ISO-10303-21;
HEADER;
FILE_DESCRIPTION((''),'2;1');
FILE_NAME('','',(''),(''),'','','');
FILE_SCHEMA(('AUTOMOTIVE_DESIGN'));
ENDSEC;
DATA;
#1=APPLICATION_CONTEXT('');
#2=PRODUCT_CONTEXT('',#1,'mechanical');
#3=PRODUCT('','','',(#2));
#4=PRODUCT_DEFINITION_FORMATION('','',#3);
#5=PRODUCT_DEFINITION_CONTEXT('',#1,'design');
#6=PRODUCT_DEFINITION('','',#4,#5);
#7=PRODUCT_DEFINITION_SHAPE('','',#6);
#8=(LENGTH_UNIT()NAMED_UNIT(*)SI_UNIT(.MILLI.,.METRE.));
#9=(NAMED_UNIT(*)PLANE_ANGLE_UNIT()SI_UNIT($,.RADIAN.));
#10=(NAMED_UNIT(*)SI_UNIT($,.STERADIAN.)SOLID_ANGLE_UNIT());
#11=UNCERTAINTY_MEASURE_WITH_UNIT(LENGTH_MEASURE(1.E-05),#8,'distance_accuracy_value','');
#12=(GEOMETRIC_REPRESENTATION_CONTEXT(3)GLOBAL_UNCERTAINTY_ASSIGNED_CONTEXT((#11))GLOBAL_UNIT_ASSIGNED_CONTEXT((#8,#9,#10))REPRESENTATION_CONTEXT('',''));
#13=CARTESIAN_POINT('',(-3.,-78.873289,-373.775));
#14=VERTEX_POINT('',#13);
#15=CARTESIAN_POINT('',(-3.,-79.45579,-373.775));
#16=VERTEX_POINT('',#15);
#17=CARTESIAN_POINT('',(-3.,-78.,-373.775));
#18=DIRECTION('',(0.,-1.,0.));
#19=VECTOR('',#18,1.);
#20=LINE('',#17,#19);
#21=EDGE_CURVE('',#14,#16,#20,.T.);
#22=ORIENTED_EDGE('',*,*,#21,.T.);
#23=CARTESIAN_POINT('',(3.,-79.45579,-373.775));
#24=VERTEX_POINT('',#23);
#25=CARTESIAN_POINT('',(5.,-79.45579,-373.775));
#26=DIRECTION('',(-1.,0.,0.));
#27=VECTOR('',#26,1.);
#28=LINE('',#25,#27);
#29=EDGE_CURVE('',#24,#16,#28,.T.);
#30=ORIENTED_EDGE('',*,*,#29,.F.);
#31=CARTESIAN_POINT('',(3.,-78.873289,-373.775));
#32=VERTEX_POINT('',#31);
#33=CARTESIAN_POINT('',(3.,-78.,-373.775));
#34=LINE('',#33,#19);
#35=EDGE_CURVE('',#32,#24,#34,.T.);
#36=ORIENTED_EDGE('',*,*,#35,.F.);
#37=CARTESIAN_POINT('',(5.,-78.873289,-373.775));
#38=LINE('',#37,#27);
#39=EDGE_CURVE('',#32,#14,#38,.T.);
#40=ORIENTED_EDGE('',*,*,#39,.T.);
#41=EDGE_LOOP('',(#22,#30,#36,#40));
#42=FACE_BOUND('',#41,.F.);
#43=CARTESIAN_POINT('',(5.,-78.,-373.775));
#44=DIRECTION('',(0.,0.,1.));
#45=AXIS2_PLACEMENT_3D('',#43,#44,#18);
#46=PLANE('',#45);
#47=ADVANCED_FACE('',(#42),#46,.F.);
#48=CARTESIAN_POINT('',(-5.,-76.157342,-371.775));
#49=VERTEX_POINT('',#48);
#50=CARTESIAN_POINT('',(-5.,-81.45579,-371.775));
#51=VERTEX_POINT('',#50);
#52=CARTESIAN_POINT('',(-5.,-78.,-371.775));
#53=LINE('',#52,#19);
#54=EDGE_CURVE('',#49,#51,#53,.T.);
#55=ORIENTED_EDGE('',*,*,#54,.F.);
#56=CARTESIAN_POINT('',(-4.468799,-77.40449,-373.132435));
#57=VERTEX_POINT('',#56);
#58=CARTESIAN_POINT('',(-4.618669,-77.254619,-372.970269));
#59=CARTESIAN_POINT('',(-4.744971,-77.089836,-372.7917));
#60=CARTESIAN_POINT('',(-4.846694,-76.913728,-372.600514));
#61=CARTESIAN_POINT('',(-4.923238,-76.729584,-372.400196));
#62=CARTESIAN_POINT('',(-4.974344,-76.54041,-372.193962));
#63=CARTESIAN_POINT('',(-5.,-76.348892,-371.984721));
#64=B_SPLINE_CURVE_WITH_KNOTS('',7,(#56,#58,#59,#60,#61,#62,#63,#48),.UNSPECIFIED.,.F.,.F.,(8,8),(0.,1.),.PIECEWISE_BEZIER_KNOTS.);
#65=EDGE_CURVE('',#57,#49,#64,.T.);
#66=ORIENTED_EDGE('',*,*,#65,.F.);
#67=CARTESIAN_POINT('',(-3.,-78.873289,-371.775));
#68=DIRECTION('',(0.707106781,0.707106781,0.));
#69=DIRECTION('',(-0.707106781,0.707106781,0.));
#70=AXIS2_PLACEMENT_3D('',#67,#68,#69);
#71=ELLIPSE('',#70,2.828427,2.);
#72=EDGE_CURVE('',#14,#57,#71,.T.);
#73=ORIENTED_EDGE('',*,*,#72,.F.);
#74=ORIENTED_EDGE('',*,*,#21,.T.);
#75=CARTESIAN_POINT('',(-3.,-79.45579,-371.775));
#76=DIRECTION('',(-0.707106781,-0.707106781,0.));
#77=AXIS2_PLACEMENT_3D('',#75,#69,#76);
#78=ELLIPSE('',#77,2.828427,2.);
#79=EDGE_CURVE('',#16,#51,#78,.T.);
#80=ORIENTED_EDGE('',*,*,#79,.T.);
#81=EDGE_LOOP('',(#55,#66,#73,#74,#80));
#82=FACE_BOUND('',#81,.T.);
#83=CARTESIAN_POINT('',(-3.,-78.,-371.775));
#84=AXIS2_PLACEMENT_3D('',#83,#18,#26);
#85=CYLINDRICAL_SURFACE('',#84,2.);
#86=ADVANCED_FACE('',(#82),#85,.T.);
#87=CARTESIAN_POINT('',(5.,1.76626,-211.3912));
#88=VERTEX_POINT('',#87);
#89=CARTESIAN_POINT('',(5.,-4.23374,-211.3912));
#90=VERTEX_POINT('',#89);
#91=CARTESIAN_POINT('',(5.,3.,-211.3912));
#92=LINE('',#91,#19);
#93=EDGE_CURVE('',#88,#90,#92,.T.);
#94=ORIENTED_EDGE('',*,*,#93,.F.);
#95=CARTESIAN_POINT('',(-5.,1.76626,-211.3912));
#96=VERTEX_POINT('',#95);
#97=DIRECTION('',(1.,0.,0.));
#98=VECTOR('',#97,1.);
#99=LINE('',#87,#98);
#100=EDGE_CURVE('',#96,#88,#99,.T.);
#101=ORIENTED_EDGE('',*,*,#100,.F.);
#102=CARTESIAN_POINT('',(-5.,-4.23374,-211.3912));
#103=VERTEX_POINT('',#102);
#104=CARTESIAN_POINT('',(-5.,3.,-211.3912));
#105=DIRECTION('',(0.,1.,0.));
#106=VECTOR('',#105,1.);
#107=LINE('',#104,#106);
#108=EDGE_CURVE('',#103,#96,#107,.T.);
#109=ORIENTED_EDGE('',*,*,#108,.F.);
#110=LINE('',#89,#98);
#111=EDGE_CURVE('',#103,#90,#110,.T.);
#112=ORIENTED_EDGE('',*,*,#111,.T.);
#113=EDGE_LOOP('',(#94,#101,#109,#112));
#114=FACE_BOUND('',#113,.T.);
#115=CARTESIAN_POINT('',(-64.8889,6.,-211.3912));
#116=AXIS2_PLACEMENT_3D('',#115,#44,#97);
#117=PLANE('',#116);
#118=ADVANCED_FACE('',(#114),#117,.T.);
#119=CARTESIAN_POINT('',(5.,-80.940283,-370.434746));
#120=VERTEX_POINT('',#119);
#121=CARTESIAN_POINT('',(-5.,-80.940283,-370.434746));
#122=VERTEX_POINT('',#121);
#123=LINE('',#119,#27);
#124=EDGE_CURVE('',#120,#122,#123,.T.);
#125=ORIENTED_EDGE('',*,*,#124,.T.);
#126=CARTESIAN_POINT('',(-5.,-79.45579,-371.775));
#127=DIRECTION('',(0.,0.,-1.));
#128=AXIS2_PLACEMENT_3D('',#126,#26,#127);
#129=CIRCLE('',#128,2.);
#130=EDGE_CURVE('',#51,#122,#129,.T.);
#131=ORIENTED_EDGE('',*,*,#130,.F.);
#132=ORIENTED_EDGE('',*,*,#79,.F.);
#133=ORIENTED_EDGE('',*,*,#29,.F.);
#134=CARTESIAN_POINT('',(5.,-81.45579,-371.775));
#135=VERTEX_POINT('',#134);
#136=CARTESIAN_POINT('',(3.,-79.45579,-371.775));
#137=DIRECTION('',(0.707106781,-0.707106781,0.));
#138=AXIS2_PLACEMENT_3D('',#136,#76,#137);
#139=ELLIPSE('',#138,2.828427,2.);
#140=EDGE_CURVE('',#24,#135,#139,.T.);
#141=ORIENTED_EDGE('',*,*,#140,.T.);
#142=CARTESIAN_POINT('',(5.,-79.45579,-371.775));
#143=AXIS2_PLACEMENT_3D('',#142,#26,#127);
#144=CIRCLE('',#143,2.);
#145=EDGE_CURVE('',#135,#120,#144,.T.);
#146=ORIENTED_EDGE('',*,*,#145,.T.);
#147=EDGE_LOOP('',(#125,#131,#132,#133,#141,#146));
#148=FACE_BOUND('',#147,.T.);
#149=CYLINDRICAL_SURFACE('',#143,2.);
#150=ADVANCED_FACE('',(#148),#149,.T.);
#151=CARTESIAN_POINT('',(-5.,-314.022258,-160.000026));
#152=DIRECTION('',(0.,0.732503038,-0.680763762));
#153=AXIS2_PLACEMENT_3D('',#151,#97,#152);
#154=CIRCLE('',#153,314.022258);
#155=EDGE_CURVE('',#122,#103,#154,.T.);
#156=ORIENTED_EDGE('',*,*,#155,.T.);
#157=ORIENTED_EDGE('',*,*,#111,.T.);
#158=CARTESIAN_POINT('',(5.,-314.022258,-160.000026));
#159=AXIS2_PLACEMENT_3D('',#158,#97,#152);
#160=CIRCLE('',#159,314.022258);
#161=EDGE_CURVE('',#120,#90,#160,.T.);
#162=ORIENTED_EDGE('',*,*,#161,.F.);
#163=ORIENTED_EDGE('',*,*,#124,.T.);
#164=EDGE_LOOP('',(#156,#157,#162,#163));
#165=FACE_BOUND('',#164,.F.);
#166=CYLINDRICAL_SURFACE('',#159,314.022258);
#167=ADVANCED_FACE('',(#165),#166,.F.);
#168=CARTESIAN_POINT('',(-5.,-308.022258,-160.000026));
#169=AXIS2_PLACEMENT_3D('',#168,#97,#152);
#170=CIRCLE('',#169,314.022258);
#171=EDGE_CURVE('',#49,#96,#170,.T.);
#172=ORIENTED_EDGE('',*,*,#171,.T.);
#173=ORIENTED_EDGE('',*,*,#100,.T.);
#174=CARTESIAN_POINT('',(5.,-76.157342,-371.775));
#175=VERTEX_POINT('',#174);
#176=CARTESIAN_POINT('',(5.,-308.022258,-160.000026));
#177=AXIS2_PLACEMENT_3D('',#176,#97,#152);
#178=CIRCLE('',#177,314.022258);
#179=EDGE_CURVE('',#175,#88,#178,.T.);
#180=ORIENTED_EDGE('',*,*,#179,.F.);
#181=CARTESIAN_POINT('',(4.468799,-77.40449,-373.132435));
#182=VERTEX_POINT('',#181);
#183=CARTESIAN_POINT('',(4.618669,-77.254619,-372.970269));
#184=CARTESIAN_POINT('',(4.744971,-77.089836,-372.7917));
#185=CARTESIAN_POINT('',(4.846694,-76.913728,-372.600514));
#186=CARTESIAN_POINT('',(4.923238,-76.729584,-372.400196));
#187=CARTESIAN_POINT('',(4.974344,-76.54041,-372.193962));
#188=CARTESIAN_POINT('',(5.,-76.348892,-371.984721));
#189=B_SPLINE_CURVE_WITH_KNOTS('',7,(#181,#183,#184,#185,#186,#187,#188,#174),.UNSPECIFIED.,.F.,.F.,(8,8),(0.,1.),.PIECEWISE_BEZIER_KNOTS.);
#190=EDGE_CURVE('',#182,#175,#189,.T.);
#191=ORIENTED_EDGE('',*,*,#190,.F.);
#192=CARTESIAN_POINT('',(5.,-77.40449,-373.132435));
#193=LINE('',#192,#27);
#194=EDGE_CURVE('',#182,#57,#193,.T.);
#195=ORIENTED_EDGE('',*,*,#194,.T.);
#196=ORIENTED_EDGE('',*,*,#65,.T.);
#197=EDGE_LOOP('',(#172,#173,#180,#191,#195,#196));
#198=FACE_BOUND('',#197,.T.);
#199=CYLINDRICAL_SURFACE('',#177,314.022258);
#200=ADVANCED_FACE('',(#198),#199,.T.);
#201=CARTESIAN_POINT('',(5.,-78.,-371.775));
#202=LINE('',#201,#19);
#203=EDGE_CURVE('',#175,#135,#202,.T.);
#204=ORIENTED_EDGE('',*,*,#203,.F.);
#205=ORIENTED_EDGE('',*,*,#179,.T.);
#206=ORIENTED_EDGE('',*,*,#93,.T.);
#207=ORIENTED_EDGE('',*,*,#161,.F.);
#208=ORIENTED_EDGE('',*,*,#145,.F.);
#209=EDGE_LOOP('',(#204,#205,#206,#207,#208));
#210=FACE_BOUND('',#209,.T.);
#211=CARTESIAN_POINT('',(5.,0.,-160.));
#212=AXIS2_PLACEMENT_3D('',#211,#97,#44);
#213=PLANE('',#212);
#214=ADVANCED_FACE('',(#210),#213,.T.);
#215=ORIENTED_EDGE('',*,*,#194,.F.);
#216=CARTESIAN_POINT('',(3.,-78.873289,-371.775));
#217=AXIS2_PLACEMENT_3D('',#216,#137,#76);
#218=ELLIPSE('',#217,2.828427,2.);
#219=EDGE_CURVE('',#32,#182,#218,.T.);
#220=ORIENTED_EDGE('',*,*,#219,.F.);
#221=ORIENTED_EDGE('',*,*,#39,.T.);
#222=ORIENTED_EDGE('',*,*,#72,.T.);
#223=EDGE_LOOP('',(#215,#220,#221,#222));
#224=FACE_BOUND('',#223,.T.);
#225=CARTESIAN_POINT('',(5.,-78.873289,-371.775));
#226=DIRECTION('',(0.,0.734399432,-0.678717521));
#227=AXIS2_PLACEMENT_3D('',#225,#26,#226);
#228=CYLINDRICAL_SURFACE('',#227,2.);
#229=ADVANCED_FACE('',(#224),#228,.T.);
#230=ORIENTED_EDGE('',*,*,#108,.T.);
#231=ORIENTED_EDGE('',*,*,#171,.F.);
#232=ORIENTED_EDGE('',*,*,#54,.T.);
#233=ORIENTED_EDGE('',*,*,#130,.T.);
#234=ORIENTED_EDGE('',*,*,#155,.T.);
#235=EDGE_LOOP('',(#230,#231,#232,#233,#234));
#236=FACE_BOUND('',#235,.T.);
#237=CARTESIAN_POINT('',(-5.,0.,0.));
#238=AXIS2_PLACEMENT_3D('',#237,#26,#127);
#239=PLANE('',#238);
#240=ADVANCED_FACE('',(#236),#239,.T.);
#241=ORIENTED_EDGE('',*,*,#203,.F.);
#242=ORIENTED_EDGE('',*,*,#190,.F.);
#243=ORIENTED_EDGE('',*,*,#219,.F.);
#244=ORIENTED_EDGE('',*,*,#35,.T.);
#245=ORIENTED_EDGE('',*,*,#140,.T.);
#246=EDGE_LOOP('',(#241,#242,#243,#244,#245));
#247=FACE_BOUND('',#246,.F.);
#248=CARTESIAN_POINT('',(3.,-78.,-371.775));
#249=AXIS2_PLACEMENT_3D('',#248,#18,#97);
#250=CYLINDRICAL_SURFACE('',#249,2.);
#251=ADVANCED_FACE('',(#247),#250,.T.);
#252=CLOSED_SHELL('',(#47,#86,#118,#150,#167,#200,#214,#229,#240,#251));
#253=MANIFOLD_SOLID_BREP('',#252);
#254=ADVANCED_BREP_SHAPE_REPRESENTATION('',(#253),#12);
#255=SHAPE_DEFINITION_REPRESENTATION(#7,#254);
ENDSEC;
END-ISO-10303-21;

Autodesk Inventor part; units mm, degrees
ref_plane "YZ Plane" through (0, 0, 0) normal (1, 0, 0) x (0, 1, 0)
ref_plane "XZ Plane" through (0, 0, 0) normal (0, 1, 0) x (-1, 0, 0)
ref_plane "XY Plane" through (0, 0, 0) normal (0, 0, 1) x (1, 0, 0)
sketch "Sketch1" plane through (0, 0, 0) normal (0, 1, 0) x (-1, 0, 0)
  line L0 (0, 0) -> (0, -160) construction
  line L1 (5, 0) -> (5, -160)
  line L2 (-5, -160) -> (-5, 0)
  arc A0 (5, 0) -> (-5, 0) centre (0, 0) ccw
  arc A1 (-5, -160) -> (5, -160) centre (0, -160) ccw
  circle A2 centre (0, 0) radius 1.65
  line L3 (0, -30) -> (0, -120) construction
  line L4 (1.65, -30) -> (1.65, -120)
  line L5 (-1.65, -120) -> (-1.65, -30)
  arc A3 (1.65, -30) -> (-1.65, -30) centre (0, -30) ccw
  arc A4 (-1.65, -120) -> (1.65, -120) centre (0, -120) ccw
  point P0 (0, -80)
  point P1 (0, -75)
  dimension "d0" = 160
  dimension "d1" = 10
  dimension "d2" = 3.3
  dimension "d3" = 30
  dimension "d5" = 120
  dimension "d6" = 3.3
extrude "Extrusion1" add sketch "Sketch1" along normal blind 6
sketch "Sketch2" plane through (5, 0, 0) normal (1, 0, 0) x (0, 0, -1)
  line L0 (160, 0) -> (160, 6) projected
  line L1 (0, 0) -> (160, 0) projected
  line L2 (160, 0) -> (160, 6) projected
  line L3 (0, 6) -> (160, 6) projected
  line L4 (0, 0) -> (0, 6) projected
  line L5 (160, 0) -> (160, 0) projected
  line L6 (160, 0) -> (160, 6) projected
  line L7 (160, 6) -> (160, 6) projected
  line L8 (160, 0) -> (160, 6) projected
  line L9 (160, 0) -> (0, 0) projected
  arc A0 (373.775, -84) -> (160, 0) centre (160, -314.0223) ccw
  line L10 (160, 6) -> (0, 6) projected
  arc A1 (373.775, -78) -> (160, 6) centre (160, -308.0223) ccw
  line L11 (373.775, -78) -> (373.775, -84)
  line L12 (0, 0) -> (160, 0) projected
  dimension "d9" = 6
  dimension "d10" = 373.775
  dimension "d11" = 90
extrude "Extrusion2" add sketch "Sketch2" against normal blind 10 contours L0 A1 L11 A0
fillet "Fillet1" radius 2 4 edges at (0, -78, -373.775) (5, -81, -373.775) (-5, -81, -373.775) (0, -84, -373.775)
sketch "Sketch3" plane through (0, 6, 0) normal (0, 1, 0) x (1, 0, 0)
  line L0 (36.6774, -16.9321) -> (-64.8889, -16.9321)
  line L1 (-64.8889, -16.9321) -> (-64.8889, 211.3912)
  line L2 (-64.8889, 211.3912) -> (36.6774, 211.3912)
  line L3 (36.6774, 211.3912) -> (36.6774, -16.9321)
  line L4 (-92.1247, 397.3107) -> (101.238, 397.3107)
  line L5 (101.238, 397.3107) -> (101.238, -55.9315)
  line L6 (101.238, -55.9315) -> (-92.1247, -55.9315)
  line L7 (-92.1247, -55.9315) -> (-92.1247, 397.3107)
  point P0 (0, 0)
extrude "Extrusion3" cut sketch "Sketch3" against normal blind 100 contours L0 L1 L2 L3
properties part number "Part_11_p1"
